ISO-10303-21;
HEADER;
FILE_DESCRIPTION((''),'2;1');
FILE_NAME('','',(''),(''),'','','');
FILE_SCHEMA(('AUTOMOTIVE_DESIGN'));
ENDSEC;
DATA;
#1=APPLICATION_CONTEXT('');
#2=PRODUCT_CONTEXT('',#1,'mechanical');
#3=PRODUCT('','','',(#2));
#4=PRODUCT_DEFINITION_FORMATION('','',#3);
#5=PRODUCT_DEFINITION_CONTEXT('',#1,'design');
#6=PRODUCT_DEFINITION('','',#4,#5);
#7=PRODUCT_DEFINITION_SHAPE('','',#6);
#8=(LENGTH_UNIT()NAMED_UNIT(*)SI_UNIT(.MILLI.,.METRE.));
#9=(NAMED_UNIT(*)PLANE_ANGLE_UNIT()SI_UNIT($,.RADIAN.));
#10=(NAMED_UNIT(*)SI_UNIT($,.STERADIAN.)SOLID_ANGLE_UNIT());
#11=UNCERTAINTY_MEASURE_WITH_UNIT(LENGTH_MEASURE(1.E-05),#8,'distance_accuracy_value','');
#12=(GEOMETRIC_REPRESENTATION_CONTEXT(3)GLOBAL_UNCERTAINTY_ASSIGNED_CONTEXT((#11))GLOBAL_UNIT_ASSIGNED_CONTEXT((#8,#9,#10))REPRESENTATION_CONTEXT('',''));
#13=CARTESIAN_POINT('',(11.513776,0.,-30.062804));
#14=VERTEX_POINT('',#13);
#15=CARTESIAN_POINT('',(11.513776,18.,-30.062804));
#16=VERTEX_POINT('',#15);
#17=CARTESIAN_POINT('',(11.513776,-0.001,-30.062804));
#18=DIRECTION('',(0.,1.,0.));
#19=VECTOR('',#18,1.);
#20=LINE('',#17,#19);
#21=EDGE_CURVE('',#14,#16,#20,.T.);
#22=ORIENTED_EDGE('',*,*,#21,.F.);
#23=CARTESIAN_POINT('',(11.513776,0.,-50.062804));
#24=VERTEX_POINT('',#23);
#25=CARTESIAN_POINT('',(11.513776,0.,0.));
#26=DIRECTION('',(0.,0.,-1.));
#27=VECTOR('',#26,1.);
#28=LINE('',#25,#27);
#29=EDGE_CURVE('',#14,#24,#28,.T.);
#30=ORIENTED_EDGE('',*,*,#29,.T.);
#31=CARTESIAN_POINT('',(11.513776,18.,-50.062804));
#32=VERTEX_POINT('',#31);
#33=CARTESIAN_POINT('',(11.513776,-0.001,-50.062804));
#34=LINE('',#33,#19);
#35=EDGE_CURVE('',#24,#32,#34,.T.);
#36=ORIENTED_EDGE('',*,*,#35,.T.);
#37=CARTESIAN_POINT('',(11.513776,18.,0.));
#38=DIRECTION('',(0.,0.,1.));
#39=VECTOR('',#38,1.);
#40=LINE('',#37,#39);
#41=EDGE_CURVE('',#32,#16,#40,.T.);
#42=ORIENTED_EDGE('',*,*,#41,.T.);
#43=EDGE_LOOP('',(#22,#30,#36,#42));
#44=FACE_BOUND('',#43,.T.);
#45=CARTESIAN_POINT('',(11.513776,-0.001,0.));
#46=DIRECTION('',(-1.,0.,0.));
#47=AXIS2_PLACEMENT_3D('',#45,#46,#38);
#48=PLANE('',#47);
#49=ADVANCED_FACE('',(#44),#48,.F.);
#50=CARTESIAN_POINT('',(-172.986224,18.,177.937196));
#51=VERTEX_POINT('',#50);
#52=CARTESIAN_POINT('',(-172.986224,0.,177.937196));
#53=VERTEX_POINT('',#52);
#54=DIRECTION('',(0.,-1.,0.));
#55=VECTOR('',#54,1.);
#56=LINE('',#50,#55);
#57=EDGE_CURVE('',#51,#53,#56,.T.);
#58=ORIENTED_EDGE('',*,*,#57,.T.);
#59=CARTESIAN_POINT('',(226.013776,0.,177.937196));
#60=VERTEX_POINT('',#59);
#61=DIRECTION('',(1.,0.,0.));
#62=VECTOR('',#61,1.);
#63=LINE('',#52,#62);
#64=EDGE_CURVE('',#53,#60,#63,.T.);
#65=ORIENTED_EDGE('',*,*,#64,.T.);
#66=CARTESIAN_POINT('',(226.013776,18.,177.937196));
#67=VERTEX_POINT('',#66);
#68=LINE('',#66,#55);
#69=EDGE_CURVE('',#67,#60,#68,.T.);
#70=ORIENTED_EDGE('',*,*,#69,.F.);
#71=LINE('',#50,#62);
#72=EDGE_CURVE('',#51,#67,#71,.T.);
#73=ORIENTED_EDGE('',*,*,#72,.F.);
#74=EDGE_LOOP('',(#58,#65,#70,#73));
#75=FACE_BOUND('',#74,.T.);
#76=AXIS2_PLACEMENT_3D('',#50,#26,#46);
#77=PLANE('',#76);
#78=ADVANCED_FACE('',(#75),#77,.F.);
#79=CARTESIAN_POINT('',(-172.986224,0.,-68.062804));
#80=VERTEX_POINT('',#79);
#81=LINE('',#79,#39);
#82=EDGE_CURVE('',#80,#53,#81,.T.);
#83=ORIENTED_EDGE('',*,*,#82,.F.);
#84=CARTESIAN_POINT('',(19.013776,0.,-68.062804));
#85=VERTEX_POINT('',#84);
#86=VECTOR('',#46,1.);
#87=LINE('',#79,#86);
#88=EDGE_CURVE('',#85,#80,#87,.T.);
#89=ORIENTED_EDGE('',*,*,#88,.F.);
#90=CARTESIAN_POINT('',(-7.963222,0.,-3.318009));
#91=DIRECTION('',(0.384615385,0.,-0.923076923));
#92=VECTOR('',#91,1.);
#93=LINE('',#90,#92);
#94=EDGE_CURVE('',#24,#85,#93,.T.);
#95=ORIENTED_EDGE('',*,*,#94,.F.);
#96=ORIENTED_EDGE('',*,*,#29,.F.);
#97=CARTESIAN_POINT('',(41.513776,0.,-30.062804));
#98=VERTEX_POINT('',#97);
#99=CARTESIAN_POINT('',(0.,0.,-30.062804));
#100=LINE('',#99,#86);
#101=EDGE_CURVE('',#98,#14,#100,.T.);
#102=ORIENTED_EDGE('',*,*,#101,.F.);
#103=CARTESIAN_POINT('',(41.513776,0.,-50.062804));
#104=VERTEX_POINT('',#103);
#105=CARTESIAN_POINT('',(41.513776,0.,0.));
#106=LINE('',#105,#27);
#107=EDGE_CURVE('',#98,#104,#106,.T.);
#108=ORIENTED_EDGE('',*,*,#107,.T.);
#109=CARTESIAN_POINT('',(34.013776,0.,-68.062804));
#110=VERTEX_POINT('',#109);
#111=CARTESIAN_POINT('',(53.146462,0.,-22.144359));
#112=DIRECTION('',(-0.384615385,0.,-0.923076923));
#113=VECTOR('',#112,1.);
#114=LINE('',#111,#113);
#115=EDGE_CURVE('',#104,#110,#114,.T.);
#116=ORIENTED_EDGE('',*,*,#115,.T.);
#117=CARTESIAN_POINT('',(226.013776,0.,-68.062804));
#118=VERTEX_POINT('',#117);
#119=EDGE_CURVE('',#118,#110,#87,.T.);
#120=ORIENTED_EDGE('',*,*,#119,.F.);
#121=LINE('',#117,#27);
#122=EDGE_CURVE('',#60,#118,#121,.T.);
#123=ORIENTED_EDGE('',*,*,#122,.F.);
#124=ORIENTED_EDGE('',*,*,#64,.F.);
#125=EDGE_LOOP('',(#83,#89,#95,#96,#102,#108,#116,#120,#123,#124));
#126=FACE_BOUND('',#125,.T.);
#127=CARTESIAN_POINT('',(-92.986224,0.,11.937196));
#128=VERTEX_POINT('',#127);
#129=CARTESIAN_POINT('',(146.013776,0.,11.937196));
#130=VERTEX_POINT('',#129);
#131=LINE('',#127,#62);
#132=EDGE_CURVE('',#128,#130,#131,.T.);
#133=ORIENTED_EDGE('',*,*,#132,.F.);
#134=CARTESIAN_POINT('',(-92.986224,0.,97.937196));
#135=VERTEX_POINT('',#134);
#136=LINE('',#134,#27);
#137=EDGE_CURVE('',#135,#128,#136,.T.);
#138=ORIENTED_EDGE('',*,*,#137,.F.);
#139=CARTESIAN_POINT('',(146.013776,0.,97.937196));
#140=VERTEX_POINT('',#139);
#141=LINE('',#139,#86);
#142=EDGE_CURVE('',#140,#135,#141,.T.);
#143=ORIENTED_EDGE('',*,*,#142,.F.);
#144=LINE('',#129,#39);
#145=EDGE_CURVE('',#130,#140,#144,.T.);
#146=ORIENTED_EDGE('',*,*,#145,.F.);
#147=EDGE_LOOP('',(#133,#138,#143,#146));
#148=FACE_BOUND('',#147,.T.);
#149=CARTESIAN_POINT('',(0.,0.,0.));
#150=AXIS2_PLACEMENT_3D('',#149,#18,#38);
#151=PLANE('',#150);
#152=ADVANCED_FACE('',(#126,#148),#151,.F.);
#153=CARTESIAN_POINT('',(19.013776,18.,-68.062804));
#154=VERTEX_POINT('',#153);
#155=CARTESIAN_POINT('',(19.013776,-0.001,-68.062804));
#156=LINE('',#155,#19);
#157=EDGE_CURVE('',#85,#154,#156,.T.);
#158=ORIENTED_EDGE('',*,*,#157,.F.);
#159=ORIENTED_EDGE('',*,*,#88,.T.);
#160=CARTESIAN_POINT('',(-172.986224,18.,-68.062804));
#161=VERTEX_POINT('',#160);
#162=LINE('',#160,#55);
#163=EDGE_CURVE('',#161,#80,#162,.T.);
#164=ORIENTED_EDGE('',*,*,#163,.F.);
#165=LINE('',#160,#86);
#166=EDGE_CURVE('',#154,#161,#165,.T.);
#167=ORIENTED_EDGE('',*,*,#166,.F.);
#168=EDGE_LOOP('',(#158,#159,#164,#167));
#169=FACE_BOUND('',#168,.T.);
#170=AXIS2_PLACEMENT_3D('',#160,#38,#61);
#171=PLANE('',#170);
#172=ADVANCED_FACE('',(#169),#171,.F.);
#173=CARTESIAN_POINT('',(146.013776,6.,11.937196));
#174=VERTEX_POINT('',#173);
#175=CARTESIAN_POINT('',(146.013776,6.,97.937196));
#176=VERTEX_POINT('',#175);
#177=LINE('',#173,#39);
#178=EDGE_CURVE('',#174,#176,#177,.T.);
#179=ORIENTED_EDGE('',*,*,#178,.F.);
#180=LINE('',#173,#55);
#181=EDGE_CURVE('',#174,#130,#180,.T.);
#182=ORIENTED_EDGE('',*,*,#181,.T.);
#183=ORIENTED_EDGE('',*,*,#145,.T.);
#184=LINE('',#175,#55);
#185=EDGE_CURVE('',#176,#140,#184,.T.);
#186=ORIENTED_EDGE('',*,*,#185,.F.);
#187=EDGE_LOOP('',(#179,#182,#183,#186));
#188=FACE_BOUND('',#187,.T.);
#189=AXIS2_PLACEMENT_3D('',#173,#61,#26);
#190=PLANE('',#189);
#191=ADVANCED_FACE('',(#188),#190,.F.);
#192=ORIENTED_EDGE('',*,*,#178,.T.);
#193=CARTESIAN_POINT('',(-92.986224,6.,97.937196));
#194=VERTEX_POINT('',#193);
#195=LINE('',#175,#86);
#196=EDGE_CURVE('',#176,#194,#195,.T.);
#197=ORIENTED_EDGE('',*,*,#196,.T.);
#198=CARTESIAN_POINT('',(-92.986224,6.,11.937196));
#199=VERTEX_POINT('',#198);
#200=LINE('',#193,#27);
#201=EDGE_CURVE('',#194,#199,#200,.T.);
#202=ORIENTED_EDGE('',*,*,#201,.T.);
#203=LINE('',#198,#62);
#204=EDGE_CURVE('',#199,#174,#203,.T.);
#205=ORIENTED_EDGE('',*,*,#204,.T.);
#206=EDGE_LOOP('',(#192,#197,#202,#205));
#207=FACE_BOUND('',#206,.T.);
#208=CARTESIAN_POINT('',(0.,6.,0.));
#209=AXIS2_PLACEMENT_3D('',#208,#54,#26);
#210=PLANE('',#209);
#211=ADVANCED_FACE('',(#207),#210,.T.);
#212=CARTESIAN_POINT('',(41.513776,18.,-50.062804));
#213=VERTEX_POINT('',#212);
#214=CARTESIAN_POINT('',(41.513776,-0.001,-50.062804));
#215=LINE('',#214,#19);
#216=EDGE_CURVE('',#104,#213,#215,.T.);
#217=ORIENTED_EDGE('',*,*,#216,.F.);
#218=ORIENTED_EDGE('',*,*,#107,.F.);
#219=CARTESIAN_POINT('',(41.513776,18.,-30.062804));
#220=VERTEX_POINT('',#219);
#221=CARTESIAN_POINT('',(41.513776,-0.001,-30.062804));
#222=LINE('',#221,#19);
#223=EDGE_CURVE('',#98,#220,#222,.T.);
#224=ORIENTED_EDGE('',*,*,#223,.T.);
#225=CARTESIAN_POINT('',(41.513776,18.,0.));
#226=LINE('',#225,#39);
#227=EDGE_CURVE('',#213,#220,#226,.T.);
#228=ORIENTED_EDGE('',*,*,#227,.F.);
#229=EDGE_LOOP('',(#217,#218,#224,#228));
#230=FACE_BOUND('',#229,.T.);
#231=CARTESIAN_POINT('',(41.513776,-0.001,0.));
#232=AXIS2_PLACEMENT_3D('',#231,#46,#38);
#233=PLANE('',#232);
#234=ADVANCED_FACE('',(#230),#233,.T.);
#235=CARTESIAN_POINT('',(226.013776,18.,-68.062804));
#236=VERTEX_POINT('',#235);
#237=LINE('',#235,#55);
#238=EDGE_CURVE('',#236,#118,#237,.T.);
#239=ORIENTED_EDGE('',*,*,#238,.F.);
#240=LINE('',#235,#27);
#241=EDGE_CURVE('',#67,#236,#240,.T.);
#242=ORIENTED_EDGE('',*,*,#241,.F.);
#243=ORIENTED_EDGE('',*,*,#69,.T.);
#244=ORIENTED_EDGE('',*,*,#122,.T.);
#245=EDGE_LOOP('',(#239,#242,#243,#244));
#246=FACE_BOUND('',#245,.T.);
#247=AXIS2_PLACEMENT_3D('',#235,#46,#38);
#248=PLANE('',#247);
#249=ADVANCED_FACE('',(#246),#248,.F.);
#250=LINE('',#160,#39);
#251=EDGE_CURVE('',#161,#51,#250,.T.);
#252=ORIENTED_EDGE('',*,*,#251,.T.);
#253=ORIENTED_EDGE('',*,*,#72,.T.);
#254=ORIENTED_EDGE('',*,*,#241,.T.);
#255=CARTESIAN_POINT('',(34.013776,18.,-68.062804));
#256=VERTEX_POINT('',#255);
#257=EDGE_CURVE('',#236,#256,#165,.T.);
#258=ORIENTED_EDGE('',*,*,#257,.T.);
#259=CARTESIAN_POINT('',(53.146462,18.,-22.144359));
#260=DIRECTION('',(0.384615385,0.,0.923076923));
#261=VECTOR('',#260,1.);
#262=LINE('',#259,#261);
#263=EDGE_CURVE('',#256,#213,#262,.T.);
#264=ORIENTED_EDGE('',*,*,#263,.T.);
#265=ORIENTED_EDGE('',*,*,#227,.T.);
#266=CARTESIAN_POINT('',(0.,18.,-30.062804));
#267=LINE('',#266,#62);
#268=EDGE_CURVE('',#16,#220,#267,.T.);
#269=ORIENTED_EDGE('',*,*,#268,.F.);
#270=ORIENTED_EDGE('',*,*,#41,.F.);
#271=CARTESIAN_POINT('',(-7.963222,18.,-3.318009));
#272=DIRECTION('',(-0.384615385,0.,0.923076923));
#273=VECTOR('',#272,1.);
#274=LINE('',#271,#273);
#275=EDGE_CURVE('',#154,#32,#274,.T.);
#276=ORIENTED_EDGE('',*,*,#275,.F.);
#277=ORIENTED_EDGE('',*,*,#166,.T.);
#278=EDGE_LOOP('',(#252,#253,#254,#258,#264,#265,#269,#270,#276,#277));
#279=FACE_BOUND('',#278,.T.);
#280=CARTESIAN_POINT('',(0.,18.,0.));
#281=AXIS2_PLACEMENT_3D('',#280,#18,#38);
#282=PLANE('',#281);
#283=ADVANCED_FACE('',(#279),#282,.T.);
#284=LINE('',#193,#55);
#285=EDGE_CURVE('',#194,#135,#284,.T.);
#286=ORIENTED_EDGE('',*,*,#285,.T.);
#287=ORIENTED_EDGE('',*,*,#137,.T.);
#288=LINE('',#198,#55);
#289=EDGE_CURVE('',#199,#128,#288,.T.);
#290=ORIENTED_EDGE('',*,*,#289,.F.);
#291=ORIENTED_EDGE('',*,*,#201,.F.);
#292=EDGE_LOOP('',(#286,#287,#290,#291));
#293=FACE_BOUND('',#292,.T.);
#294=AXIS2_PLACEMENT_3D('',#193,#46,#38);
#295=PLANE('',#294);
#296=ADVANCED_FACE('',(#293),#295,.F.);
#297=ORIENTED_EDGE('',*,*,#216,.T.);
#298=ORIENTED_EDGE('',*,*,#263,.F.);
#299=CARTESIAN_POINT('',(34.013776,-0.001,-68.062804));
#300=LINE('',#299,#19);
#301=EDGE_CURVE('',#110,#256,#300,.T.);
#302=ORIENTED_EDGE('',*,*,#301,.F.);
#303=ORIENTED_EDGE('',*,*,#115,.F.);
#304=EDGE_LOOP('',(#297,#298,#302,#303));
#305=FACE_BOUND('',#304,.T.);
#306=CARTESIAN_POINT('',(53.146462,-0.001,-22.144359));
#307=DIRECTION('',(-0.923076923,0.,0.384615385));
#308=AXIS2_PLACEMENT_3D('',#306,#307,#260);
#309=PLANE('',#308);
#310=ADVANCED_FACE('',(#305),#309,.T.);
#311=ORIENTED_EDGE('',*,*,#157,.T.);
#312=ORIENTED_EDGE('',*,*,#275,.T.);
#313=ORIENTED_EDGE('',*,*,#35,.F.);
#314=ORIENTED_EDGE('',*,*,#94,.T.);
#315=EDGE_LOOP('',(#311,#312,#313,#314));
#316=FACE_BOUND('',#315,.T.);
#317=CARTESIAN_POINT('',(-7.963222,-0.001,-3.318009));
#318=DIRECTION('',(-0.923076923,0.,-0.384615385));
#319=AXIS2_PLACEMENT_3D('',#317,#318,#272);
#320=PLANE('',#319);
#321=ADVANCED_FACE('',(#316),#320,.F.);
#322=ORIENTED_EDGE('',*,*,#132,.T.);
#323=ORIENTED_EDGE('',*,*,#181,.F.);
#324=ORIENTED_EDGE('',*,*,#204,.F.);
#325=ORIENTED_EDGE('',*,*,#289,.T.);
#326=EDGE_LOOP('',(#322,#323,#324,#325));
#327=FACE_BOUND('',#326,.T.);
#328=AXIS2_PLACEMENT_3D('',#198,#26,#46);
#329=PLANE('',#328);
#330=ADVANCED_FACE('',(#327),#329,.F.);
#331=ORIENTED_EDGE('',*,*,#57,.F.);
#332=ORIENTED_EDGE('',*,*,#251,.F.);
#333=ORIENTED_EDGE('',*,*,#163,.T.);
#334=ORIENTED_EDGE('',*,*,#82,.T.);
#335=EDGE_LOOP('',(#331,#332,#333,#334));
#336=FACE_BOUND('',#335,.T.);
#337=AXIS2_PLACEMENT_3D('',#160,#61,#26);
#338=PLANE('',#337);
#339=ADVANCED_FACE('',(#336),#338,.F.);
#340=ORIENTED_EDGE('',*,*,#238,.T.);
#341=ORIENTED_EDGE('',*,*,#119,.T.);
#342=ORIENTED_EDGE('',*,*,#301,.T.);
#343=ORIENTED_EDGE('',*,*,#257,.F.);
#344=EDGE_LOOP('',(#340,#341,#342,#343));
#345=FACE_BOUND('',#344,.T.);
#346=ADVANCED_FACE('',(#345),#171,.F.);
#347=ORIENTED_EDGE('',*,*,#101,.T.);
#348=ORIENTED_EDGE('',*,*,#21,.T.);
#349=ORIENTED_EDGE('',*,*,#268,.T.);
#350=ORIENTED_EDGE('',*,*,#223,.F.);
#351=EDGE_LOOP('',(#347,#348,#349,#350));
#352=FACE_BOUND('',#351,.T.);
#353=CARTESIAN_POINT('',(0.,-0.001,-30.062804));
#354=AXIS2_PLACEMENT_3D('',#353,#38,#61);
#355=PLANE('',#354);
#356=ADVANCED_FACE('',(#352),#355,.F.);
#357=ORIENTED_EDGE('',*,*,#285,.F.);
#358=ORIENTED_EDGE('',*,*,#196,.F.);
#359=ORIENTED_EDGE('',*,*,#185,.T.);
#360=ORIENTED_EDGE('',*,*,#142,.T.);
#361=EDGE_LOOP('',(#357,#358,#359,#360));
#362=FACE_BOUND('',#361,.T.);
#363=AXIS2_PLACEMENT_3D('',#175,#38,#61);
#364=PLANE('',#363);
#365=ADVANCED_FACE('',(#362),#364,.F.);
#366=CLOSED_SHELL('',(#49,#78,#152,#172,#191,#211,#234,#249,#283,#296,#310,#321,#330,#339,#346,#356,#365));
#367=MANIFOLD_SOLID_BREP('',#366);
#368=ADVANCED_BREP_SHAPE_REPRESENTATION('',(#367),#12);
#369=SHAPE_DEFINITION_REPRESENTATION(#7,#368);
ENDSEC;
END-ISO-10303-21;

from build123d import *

# Parameters (mm, degrees)
SKETCH1_W           = 399
SKETCH1_H           = 246
BOSS_EXTRUDE1_DEPTH = 18
SKETCH2_W           = 239
SKETCH2_H           = 86
CUT_EXTRUDE1_DEPTH  = 6
CUT_EXTRUDE2_REACH  = 290.215


with BuildPart() as part:
    # Sketch1 → Boss-Extrude1 (new body)
    with BuildSketch(Plane(origin=(0, 0, 0), x_dir=(1, 0, 0), z_dir=(0, 1, 0))):
        with Locations((26.513776337, -54.93719611)):
            Rectangle(SKETCH1_W, SKETCH1_H)
    extrude(amount=BOSS_EXTRUDE1_DEPTH)

    # Sketch2 → Cut-Extrude1 (cut)
    with BuildSketch(Plane.XZ):
        with Locations((26.513776337, 54.93719611)):
            Rectangle(SKETCH2_W, SKETCH2_H)
    extrude(amount=-CUT_EXTRUDE1_DEPTH, mode=Mode.SUBTRACT)

    # Sketch3 → Cut-Extrude2 (cut, up to next)
    with BuildSketch(Plane(origin=(0, 18, 0), x_dir=(1, 0, 0), z_dir=(0, 1, 0)), mode=Mode.PRIVATE) as cut_extrude2_sk1:
        Polygon((34.013776337, 68.06280389), (19.013776337, 68.06280389), (11.513776337, 50.06280389), (11.513776337, 30.06280389), (41.513776337, 30.06280389), (41.513776337, 50.06280389), align=None)
    cut_extrude2_tool1 = extrude(cut_extrude2_sk1.sketch, amount=-CUT_EXTRUDE2_REACH, mode=Mode.PRIVATE) & part.part
    add(cut_extrude2_tool1.solids().sort_by_distance((26.513776, 18, -47.316535))[0], mode=Mode.SUBTRACT)


solid = part.part
